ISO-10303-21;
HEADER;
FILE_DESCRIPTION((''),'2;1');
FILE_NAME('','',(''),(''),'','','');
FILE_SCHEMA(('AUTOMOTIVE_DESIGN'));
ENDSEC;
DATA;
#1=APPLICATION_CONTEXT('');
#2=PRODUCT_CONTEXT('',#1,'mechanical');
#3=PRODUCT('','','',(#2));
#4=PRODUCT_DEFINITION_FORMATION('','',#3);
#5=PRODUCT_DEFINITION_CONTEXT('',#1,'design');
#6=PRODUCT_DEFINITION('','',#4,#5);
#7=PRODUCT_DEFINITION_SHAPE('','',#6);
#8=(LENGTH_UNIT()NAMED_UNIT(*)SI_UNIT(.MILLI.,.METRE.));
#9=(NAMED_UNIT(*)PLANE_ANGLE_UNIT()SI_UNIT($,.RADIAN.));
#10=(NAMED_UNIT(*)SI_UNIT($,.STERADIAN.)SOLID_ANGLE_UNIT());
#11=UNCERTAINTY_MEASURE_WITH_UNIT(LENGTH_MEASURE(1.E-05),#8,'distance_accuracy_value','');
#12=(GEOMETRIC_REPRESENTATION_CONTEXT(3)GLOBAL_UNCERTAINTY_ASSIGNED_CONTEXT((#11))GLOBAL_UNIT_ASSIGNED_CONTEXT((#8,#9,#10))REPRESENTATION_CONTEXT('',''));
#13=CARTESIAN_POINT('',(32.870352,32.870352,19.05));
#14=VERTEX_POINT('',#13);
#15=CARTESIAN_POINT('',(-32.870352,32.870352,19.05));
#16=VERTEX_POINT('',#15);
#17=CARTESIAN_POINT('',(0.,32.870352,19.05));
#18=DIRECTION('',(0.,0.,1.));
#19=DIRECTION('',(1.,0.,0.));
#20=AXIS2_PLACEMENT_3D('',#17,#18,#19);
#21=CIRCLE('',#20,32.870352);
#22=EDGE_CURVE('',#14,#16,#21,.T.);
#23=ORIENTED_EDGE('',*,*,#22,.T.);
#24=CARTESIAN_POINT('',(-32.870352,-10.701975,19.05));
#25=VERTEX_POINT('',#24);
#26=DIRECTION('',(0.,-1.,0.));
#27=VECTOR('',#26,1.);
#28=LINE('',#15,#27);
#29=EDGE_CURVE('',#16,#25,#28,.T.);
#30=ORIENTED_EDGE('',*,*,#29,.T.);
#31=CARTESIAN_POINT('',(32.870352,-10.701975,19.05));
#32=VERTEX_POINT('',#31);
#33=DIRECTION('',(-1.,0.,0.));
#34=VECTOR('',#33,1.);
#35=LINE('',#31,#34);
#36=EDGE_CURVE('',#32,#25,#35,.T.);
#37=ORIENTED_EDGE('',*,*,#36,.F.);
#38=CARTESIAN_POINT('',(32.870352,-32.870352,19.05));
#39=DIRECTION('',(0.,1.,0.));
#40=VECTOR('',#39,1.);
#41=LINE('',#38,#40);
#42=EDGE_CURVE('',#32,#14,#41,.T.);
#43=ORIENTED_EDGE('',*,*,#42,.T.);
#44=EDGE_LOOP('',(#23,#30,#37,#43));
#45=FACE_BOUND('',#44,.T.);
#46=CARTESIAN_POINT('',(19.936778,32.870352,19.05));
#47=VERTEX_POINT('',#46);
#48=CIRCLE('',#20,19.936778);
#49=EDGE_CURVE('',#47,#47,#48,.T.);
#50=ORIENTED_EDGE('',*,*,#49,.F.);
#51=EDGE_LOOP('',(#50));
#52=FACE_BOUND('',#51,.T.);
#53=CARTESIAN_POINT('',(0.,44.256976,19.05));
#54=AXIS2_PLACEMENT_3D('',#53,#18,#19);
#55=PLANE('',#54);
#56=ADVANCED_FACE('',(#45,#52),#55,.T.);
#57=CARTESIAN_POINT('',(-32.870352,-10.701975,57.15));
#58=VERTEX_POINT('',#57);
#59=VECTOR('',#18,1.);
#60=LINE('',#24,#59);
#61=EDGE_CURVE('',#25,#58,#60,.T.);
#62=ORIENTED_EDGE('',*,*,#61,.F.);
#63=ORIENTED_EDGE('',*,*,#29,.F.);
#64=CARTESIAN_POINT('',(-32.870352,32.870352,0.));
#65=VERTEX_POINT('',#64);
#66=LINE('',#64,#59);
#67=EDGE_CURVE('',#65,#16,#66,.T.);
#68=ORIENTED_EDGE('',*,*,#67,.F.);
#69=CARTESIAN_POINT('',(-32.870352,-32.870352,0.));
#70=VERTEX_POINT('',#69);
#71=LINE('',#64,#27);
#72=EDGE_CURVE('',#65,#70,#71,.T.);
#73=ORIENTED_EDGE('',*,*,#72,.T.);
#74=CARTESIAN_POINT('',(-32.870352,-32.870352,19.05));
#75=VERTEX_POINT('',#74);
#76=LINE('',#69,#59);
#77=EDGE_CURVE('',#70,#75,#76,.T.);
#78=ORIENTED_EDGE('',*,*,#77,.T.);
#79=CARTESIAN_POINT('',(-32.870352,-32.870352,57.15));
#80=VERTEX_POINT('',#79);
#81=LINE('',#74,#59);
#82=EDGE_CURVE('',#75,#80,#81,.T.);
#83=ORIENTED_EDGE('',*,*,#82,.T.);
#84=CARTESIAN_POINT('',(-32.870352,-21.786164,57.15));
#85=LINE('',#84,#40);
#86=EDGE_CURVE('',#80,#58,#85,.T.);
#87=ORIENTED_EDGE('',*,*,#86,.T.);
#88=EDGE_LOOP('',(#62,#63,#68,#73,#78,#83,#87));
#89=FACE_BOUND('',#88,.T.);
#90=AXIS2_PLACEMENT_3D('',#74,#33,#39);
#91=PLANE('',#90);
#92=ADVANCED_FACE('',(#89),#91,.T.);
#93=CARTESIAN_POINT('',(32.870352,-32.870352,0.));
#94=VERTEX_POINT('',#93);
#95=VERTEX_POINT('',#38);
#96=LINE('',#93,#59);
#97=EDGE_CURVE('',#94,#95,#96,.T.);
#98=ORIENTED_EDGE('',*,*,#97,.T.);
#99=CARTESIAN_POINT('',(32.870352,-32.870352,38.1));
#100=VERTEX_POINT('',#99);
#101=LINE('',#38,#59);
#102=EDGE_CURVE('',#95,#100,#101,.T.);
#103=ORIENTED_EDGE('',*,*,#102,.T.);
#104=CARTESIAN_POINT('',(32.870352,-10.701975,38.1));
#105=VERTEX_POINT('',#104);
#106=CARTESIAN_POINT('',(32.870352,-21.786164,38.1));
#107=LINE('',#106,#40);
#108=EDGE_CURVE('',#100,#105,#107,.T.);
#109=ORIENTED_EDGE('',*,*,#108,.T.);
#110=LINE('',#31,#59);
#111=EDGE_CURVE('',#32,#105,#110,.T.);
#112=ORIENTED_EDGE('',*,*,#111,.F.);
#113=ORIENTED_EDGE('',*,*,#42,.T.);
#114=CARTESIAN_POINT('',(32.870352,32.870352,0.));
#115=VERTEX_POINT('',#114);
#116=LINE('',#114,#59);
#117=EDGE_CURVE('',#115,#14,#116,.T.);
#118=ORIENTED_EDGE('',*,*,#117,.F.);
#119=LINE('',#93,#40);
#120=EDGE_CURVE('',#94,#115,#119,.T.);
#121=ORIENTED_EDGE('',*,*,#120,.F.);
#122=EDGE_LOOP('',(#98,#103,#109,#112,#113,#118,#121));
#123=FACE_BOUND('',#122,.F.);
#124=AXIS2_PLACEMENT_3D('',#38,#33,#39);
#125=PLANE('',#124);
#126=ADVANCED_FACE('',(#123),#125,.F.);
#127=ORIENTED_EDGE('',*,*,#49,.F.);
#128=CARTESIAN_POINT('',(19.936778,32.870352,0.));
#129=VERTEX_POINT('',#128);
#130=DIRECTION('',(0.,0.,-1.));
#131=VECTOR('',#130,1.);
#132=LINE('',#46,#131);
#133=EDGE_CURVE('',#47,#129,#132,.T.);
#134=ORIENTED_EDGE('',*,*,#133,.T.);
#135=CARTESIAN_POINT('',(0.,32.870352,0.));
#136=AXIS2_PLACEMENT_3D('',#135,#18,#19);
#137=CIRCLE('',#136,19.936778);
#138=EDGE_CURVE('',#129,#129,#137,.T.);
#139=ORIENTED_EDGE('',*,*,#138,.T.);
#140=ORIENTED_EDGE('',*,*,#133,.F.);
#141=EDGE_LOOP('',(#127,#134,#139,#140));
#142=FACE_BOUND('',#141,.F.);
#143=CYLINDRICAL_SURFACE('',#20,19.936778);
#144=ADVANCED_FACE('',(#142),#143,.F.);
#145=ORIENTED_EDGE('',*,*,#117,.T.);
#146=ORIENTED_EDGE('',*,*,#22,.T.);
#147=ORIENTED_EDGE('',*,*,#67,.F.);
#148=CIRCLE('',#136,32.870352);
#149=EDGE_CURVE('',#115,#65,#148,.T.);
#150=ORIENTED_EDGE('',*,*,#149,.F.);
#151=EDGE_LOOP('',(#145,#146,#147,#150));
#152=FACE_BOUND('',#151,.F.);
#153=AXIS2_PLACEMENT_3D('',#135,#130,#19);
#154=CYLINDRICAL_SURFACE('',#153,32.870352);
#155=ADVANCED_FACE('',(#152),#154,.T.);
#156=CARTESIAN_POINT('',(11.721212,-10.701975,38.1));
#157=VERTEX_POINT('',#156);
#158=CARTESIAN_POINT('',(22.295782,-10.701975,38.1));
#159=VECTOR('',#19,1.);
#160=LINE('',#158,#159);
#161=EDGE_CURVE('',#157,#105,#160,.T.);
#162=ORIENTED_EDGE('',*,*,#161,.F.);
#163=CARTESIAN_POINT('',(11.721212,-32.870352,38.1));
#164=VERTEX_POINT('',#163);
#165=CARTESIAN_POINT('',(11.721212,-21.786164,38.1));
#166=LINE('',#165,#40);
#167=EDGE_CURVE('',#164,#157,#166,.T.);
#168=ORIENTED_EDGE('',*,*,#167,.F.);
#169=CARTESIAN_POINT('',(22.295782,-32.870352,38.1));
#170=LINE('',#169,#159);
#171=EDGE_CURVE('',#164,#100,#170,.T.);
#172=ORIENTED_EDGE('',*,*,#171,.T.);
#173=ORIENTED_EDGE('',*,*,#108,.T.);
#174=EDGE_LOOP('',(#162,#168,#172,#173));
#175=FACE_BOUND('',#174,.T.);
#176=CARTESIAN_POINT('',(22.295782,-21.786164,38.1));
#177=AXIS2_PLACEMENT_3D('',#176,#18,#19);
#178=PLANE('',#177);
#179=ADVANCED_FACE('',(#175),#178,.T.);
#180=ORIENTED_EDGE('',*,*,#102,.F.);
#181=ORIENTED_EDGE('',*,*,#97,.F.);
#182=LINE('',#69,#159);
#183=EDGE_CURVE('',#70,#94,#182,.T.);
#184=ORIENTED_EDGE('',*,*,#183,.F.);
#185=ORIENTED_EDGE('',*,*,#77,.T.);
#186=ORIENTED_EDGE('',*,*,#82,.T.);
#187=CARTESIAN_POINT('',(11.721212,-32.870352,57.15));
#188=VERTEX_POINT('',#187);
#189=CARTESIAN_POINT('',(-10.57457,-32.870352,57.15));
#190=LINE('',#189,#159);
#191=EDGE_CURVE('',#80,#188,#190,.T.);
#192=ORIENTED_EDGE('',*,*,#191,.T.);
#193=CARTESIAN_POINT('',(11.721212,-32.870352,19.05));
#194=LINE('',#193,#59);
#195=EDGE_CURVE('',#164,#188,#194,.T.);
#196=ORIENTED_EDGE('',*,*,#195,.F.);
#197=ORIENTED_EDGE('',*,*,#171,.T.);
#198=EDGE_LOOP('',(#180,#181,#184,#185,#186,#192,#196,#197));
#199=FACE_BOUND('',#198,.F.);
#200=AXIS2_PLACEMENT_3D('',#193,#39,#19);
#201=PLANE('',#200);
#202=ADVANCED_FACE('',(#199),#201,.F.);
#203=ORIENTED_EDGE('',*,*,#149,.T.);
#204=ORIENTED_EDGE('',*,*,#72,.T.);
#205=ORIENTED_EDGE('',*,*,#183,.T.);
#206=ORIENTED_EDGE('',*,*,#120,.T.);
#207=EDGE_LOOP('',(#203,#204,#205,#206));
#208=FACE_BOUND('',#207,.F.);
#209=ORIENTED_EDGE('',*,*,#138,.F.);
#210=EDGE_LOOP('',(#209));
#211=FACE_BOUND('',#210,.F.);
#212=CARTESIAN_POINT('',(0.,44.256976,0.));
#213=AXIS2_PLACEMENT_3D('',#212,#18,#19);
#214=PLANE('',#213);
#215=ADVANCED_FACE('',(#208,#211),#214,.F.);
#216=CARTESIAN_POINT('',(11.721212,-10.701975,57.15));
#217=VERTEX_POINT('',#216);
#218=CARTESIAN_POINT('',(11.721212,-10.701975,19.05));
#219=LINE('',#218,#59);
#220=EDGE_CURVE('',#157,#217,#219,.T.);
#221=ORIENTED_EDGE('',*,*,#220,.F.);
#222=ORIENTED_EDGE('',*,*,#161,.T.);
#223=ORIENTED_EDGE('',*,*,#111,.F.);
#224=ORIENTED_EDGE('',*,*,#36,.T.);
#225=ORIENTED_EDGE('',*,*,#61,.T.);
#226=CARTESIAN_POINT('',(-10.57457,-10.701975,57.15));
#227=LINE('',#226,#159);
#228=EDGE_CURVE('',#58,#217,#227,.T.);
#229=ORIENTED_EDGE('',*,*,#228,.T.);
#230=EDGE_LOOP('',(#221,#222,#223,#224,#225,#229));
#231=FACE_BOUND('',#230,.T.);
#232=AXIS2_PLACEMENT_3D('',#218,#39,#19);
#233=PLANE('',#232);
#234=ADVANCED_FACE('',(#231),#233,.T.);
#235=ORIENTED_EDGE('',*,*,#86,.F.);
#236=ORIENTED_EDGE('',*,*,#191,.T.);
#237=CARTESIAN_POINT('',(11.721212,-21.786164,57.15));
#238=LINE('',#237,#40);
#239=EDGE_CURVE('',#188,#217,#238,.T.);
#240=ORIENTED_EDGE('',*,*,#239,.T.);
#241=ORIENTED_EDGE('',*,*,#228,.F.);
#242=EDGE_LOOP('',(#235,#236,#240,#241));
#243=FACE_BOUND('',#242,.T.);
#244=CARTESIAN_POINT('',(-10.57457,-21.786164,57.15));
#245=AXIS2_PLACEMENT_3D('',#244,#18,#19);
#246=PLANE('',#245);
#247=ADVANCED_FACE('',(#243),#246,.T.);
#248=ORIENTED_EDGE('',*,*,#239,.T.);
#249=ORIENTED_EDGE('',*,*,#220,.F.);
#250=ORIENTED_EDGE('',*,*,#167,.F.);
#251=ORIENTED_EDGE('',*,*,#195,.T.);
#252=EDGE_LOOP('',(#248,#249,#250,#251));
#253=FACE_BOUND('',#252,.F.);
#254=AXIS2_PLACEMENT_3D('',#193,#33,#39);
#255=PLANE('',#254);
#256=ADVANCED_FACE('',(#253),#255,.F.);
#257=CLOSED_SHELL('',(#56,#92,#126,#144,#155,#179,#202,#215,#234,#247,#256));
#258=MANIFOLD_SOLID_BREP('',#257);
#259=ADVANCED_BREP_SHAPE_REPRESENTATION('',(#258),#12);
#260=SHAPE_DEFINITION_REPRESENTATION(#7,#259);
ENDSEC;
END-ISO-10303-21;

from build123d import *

# Parameters (mm, degrees)
F1_DEPTH = 19.05
F2_W     = 44.5915646851
F2_H     = 22.1683774143
F3_DEPTH = 38.1
F4_W     = 21.1491398513
F4_H     = 22.1683774143
F5_DEPTH = 19.05
F6_R     = 19.9367778841
F7_DEPTH = 25.4


with BuildPart() as f1:
    # F0 (on Top) → F1 (new body)
    with BuildSketch(Plane.XY):
        with BuildLine():
            ThreePointArc((32.8703522682, 32.8703522682), (0, 65.7407045364), (-32.8703522682, 32.8703522682))
            Line((-32.8703522682, 32.8703522682), (32.8703522682, 32.8703522682))
        make_face()
        with BuildLine():
            ThreePointArc((32.8703522682, 32.8703522682), (0, 0), (-32.8703522682, 32.8703522682))
            Line((-32.8703522682, 32.8703522682), (-32.8703522682, -32.8703522682))
            Line((-32.8703522682, -32.8703522682), (32.8703522682, -32.8703522682))
            Line((32.8703522682, -32.8703522682), (32.8703522682, 32.8703522682))
        make_face()
        with BuildLine():
            Line((32.8703522682, 32.8703522682), (-32.8703522682, 32.8703522682))
            ThreePointArc((-32.8703522682, 32.8703522682), (0, 0), (32.8703522682, 32.8703522682))
        make_face()
    extrude(amount=F1_DEPTH)

    # F2 (on face) → F3 (join)
    with BuildSketch(Plane.XY.offset(19.05)):
        with Locations((-10.5745699257, -21.786163561)):
            Rectangle(F2_W, F2_H)
    extrude(amount=F3_DEPTH)

    # F4 (on face) → F5 (join)
    with BuildSketch(Plane.XY.offset(19.05)):
        with Locations((22.2957823426, -21.786163561)):
            Rectangle(F4_W, F4_H)
    extrude(amount=F5_DEPTH)

    # F6 (on face) → F7 (cut)
    with BuildSketch(Plane.XY.offset(19.05)):
        with Locations((0, 32.8703522682)):
            Circle(F6_R)
    extrude(amount=-F7_DEPTH, mode=Mode.SUBTRACT)


solid = f1.part
